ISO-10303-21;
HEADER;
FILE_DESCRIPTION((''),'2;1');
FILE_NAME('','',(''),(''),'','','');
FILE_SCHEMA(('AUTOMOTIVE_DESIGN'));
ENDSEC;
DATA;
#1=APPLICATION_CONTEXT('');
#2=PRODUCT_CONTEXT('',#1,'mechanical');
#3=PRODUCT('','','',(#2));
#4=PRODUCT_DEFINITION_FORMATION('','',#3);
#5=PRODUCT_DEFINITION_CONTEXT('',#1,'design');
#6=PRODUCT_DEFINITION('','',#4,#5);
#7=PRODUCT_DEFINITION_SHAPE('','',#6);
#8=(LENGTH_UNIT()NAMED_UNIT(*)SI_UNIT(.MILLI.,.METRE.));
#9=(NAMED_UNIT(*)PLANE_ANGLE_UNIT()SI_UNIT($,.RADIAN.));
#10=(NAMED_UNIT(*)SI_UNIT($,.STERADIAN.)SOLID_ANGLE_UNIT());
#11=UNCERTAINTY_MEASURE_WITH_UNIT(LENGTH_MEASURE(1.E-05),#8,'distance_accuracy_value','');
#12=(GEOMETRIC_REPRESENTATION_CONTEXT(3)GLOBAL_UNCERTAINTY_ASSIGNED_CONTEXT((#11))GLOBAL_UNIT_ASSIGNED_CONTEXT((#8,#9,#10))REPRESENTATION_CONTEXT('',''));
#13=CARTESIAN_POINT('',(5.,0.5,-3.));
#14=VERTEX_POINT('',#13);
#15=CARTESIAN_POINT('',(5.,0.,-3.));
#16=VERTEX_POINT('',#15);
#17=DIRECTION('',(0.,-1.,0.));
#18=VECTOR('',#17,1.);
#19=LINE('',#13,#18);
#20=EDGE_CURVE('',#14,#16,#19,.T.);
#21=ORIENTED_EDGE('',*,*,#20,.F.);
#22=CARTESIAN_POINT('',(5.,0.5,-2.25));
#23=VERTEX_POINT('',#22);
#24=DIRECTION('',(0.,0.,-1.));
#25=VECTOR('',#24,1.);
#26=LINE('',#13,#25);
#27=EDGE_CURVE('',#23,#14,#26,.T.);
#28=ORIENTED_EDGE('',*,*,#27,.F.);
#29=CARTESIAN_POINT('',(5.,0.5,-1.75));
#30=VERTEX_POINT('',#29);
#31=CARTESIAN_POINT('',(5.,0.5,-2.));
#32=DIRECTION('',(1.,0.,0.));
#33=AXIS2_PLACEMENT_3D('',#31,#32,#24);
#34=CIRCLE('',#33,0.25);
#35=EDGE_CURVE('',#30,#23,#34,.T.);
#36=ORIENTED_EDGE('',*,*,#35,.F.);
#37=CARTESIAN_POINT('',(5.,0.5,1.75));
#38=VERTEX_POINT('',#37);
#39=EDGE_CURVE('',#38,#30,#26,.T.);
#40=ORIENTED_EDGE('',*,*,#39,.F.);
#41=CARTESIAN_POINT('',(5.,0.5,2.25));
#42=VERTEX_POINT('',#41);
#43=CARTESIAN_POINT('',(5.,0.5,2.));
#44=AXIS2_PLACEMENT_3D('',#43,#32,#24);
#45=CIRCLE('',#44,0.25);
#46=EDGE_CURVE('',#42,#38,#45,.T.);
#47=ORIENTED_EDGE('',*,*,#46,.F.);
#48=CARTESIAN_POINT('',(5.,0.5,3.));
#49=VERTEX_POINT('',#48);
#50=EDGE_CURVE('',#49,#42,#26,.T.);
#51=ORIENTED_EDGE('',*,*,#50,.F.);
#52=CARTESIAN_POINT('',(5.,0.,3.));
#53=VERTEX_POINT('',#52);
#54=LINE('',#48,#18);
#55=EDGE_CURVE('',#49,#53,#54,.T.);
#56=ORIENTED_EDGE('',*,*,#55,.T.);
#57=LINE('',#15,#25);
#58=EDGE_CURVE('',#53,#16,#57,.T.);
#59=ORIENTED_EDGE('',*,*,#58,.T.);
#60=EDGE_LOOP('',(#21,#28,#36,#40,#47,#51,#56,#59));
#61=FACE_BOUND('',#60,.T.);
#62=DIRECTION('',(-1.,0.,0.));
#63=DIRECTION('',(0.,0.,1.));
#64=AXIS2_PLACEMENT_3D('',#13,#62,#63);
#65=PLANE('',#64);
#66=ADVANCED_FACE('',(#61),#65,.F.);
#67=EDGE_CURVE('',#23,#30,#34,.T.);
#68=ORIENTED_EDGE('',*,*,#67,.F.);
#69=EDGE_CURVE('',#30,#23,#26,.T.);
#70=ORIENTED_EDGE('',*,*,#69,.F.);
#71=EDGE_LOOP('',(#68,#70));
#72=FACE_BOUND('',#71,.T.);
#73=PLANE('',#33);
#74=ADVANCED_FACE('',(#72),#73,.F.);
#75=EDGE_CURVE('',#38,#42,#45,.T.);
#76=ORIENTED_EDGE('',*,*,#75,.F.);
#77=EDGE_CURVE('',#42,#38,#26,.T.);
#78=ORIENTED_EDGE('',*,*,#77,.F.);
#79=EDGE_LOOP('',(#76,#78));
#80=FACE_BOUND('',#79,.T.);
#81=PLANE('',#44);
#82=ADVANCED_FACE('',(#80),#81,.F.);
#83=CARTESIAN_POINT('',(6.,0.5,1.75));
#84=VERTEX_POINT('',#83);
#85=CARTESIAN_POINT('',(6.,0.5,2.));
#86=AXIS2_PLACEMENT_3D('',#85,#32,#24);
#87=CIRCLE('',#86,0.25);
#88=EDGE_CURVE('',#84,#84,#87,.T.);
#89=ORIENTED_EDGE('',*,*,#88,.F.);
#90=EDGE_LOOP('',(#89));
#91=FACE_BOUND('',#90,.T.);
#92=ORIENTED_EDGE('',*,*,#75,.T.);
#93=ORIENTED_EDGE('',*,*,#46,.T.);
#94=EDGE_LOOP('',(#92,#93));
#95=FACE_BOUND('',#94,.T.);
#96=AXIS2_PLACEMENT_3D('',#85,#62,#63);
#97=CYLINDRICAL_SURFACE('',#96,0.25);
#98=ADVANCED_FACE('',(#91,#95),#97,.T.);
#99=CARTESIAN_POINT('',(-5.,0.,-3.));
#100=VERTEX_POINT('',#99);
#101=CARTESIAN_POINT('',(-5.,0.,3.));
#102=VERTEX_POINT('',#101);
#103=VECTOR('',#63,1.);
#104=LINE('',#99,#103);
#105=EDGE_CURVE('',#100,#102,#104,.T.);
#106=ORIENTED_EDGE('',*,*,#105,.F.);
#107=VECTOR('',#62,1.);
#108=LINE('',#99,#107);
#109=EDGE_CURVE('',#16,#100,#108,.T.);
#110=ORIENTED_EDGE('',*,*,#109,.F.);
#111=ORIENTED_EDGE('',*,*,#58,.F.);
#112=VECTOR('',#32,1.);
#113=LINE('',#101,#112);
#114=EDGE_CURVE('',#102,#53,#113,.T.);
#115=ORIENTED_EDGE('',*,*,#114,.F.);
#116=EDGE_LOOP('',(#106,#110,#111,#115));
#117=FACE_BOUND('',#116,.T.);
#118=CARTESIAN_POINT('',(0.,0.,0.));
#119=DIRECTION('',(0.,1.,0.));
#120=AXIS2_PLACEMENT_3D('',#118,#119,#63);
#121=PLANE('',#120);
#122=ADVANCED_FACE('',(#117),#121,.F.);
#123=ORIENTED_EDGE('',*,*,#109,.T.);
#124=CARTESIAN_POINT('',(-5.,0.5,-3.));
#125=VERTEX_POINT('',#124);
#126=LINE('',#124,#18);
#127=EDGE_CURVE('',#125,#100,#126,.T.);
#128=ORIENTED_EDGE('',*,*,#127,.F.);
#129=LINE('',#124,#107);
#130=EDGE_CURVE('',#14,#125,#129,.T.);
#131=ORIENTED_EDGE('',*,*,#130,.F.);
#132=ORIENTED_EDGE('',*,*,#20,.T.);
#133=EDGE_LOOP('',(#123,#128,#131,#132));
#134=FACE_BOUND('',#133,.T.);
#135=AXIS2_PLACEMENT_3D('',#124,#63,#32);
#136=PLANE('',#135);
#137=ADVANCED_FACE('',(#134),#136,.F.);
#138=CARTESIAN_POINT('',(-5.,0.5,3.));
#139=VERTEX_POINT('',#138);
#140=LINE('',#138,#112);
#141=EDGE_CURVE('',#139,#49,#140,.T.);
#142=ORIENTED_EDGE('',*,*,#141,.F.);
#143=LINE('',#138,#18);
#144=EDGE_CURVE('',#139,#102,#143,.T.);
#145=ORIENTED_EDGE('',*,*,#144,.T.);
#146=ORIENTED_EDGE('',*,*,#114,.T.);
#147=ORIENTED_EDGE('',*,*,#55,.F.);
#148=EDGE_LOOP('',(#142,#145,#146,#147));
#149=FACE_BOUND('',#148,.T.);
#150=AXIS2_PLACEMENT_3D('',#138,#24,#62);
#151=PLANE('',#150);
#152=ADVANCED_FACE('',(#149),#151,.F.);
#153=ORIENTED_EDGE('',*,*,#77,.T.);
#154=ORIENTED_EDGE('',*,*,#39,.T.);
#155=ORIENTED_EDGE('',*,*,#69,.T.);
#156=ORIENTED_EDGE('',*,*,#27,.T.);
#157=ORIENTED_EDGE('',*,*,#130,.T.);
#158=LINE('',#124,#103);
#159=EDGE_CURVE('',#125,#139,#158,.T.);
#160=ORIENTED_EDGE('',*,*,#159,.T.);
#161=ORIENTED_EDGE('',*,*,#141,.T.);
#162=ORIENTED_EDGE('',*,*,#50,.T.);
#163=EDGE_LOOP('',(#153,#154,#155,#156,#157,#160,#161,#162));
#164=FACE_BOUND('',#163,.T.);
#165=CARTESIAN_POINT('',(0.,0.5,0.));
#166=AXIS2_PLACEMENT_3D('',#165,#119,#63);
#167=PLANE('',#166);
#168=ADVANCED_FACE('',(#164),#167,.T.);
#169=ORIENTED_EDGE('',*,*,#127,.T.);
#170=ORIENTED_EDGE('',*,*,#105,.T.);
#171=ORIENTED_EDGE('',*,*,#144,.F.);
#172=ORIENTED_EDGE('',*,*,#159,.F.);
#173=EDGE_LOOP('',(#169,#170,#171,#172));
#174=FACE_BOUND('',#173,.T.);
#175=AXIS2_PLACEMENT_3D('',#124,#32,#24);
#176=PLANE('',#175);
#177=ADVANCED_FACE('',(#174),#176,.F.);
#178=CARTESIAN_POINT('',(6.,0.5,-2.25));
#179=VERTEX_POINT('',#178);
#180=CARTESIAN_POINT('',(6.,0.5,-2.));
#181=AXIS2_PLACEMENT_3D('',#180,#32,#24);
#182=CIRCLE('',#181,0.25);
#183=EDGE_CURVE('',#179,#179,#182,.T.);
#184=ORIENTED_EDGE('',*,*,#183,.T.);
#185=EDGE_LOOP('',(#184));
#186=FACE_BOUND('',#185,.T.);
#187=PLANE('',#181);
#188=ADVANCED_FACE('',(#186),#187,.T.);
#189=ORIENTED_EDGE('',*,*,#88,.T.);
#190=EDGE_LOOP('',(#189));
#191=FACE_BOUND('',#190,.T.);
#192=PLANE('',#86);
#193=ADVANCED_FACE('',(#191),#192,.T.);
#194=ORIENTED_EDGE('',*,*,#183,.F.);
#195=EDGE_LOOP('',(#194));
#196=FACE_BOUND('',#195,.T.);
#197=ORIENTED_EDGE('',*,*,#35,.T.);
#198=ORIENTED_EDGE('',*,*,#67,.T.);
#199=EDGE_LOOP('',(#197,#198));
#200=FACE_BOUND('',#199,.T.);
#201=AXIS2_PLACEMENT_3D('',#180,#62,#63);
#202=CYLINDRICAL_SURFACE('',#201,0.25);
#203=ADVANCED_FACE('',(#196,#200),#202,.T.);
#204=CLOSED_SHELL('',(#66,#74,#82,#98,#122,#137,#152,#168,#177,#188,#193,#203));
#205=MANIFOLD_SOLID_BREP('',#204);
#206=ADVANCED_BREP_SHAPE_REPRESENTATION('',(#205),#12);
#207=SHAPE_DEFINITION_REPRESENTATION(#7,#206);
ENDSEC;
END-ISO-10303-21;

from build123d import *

# Parameters (mm, degrees)
SKETCH_1_W      = 10
SKETCH_1_H      = 6
EXTRUDE_1_DEPTH = 0.5
SKETCH_2_R      = 0.25
EXTRUDE_2_DEPTH = 1


with BuildPart() as part:
    # 스케치1 → 보스-돌출1 (new body)
    with BuildSketch(Plane(origin=(0, 0, 0), x_dir=(1, 0, 0), z_dir=(0, 1, 0))):
        Rectangle(SKETCH_1_W, SKETCH_1_H)
    extrude(amount=EXTRUDE_1_DEPTH)

    # 스케치2 → 보스-돌출2 (add)
    with BuildSketch(Plane(origin=(5, 0, 0), x_dir=(0, 0, -1), z_dir=(1, 0, 0))):
        with Locations((-2, 0.5)):
            Circle(SKETCH_2_R)
        with Locations((2, 0.5)):
            Circle(SKETCH_2_R)
    extrude(amount=EXTRUDE_2_DEPTH)


solid = part.part
